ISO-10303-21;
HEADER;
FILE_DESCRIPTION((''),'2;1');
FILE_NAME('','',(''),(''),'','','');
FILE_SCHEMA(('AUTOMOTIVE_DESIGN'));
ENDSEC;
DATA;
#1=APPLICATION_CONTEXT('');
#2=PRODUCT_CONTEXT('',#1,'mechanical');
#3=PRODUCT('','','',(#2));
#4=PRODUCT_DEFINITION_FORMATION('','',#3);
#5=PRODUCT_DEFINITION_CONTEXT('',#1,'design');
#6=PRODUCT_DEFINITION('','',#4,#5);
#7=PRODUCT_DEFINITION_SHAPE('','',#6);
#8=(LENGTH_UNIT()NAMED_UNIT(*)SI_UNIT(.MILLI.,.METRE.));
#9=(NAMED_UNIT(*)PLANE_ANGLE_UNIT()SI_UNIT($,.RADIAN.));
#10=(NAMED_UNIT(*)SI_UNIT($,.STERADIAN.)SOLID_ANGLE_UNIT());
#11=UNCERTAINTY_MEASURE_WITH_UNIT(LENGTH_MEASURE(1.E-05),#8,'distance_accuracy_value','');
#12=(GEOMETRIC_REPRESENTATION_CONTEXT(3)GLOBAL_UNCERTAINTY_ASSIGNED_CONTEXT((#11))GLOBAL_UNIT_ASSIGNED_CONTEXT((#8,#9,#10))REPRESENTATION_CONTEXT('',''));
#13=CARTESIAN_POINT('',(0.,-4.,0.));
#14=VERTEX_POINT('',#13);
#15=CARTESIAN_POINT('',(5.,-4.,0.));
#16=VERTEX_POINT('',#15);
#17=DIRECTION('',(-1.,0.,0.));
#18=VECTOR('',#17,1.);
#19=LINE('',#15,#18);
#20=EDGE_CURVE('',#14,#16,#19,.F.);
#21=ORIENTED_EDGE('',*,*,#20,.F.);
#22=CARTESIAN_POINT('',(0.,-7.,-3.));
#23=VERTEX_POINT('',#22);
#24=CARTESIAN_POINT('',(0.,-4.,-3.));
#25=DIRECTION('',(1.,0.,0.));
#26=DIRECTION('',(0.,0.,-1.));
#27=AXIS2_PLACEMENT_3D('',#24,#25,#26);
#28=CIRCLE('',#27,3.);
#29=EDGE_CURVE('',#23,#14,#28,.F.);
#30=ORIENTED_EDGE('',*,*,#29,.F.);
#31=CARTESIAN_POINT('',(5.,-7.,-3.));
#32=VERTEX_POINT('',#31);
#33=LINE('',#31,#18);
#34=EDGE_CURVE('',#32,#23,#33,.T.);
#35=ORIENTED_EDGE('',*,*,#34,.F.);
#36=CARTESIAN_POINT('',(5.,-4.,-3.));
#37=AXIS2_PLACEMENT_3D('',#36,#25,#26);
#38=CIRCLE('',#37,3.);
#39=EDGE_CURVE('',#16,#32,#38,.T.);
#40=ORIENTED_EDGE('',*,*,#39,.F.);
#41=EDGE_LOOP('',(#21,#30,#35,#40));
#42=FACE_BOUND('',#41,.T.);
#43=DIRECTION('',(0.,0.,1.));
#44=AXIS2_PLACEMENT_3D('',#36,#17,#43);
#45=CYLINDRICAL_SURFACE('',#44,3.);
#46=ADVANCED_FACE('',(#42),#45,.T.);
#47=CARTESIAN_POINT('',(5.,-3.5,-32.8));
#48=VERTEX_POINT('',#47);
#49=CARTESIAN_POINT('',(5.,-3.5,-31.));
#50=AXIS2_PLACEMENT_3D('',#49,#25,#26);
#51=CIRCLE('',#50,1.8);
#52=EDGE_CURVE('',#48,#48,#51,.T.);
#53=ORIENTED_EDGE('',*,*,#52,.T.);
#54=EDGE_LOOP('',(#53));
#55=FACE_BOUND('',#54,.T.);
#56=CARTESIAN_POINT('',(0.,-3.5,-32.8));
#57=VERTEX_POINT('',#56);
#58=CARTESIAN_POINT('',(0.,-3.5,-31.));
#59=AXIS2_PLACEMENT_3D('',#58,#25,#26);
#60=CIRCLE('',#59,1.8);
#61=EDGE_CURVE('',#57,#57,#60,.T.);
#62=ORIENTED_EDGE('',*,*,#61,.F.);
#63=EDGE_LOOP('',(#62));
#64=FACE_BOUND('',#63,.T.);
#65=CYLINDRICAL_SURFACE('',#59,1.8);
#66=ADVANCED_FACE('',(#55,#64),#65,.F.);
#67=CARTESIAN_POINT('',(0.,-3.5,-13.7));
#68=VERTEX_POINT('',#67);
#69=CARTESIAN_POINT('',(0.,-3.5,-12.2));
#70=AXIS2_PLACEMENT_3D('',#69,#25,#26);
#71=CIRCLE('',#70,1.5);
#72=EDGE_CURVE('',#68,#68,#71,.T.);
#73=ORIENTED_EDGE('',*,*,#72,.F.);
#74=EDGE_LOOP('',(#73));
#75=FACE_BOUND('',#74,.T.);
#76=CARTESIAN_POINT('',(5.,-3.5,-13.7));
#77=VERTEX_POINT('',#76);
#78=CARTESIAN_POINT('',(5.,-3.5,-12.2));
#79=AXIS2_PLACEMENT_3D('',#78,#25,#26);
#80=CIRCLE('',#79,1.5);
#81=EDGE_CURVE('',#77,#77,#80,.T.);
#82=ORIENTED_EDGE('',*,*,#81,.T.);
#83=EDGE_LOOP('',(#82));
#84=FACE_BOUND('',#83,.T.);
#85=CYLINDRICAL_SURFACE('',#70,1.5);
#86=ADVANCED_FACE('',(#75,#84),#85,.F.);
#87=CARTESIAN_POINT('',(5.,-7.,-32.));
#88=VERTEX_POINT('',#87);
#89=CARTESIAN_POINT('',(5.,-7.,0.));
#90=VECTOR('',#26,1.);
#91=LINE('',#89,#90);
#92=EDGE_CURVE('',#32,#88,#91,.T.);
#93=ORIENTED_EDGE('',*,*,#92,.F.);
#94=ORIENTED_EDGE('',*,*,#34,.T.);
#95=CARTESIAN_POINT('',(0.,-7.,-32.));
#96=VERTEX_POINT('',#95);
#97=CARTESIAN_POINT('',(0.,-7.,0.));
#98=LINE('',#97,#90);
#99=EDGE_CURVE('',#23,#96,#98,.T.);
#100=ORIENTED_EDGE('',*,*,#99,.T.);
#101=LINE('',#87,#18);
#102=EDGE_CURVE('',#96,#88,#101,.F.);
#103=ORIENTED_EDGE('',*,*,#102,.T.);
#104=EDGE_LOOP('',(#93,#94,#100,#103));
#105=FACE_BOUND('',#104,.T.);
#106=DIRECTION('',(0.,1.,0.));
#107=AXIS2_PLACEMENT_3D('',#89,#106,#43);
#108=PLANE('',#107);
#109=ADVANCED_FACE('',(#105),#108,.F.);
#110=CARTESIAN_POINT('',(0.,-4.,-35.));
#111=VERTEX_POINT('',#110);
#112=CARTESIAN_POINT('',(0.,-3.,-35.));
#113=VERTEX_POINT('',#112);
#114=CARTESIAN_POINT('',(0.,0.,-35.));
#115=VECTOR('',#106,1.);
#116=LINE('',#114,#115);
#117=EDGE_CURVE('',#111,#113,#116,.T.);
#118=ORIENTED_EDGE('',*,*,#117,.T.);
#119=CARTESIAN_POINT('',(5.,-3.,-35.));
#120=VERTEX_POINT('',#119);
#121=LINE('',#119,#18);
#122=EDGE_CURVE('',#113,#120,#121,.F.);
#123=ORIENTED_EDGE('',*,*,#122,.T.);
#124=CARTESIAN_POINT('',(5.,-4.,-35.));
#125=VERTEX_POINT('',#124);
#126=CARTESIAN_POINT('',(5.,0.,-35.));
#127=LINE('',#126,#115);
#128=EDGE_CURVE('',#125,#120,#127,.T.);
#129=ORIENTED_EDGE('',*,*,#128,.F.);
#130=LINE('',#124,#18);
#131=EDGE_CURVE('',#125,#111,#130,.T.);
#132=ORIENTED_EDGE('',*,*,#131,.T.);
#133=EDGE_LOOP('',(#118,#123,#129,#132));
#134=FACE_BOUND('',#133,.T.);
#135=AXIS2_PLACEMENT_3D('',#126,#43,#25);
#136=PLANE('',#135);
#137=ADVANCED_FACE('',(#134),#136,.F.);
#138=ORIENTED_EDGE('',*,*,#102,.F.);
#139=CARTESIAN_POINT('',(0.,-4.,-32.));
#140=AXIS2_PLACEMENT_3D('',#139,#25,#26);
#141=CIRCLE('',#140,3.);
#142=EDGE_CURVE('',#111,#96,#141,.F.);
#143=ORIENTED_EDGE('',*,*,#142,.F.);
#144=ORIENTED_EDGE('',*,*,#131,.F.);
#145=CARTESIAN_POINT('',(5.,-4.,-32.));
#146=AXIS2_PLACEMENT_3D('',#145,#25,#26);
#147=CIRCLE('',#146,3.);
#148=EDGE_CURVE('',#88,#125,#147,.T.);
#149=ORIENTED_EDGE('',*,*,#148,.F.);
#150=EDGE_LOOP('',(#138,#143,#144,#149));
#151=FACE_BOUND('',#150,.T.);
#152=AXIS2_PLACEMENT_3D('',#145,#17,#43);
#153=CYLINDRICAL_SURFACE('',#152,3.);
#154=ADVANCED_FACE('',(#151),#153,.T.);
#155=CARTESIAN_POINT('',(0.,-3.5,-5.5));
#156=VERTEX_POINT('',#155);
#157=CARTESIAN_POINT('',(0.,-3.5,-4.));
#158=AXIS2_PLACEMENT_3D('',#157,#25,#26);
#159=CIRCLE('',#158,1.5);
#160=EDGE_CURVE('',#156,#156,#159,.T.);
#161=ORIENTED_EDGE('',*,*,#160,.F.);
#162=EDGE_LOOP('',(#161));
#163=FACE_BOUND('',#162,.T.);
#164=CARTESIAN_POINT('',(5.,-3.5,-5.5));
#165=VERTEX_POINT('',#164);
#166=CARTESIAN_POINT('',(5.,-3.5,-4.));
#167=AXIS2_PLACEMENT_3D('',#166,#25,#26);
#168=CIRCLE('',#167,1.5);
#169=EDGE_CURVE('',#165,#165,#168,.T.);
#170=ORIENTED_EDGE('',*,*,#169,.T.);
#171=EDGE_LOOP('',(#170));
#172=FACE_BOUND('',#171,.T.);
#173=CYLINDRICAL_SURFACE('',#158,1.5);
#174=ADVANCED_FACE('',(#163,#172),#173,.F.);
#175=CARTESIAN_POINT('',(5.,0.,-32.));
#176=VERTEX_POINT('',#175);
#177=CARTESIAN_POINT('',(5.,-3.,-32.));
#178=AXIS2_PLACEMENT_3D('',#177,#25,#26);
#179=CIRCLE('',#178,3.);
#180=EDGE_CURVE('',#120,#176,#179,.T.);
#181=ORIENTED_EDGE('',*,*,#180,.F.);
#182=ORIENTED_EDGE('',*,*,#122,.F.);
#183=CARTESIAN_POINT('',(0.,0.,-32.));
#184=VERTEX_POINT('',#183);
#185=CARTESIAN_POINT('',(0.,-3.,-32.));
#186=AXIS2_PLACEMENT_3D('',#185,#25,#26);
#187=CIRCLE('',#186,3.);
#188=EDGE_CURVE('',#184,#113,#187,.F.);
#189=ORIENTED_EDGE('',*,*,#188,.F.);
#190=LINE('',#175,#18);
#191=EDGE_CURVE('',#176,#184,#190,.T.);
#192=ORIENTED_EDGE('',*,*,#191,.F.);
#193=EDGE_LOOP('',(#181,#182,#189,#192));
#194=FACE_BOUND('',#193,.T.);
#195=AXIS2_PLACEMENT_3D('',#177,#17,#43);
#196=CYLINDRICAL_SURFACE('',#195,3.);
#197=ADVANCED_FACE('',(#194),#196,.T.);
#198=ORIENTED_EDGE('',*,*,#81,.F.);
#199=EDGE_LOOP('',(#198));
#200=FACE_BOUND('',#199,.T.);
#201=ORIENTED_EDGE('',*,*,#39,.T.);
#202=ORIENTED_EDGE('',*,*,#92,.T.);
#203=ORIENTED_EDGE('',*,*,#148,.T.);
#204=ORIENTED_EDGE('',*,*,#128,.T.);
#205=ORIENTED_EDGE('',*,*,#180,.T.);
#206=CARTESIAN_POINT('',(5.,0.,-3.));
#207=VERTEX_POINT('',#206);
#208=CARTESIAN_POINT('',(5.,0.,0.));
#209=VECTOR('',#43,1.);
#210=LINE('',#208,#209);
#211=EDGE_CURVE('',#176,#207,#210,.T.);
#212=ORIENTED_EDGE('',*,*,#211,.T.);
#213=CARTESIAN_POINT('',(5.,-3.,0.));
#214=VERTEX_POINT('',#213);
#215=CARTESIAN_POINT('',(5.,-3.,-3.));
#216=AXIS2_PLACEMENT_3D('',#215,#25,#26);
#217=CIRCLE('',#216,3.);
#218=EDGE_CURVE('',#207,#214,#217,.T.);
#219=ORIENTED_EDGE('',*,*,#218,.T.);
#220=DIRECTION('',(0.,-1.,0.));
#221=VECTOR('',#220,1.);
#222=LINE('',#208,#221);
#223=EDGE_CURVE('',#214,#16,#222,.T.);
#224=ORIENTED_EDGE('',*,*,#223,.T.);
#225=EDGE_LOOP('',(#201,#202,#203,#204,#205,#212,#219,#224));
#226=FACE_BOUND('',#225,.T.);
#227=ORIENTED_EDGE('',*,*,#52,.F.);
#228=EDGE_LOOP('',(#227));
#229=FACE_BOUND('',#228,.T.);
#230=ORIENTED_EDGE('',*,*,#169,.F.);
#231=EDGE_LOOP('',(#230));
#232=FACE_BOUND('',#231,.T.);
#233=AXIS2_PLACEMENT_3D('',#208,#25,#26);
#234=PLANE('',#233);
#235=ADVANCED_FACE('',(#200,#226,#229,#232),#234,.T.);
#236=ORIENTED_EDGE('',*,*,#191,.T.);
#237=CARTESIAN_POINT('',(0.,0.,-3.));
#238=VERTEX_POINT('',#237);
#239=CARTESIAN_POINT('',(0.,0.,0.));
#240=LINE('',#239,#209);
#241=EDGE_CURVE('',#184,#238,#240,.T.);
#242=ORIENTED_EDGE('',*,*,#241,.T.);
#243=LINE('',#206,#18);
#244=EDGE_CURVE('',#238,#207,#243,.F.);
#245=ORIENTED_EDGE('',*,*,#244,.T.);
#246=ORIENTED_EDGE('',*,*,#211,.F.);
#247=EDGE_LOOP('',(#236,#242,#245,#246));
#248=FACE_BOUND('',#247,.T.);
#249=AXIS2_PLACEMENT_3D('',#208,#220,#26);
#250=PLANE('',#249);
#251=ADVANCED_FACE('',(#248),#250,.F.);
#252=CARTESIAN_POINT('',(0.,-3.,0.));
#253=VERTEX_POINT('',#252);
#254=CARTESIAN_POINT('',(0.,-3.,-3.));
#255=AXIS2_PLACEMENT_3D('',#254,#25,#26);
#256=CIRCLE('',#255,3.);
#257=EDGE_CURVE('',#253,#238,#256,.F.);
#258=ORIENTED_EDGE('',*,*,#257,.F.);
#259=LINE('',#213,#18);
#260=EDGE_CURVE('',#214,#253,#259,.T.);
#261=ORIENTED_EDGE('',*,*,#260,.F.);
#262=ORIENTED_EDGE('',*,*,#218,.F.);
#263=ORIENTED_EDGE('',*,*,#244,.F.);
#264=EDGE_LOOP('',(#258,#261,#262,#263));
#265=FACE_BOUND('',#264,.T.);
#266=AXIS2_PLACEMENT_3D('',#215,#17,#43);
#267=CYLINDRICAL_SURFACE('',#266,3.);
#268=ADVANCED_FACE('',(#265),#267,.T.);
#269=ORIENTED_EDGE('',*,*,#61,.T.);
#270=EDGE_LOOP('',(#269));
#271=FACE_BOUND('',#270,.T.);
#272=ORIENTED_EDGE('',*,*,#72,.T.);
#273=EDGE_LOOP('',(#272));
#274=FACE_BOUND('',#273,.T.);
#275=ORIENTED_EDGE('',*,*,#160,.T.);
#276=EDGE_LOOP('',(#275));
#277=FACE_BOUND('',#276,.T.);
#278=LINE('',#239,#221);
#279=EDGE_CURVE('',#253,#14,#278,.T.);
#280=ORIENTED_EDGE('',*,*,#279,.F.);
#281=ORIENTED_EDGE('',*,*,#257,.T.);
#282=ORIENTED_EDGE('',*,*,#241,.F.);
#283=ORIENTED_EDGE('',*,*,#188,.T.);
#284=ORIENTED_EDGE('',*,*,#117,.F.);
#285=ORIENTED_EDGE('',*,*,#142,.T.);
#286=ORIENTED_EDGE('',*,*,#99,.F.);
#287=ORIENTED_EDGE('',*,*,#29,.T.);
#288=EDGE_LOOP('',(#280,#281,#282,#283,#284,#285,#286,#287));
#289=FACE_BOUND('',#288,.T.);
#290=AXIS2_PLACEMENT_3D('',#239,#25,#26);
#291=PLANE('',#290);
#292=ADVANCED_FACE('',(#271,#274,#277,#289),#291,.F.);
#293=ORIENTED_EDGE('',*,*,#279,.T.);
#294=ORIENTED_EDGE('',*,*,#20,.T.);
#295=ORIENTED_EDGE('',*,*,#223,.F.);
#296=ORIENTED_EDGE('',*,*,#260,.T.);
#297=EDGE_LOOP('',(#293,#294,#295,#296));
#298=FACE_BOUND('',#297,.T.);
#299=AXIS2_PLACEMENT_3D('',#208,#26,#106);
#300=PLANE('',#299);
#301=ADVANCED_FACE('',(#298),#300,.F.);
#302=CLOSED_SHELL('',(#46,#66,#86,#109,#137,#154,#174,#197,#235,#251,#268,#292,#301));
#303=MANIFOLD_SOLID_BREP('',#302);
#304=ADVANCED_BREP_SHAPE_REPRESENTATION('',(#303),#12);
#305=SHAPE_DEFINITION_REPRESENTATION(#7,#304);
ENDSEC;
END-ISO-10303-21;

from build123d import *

# Parameters (mm, degrees)
SKETCH1_W           = 35
SKETCH1_H           = 7
BOSS_EXTRUDE1_DEPTH = 5
SKETCH2_R           = 1.5
SKETCH2_R_2         = 1.8
CUT_EXTRUDE1_DEPTH  = 37.041642582
FILLET1_R           = 3


with BuildPart() as part:
    # Sketch1 → Boss-Extrude1 (new body)
    with BuildSketch(Plane(origin=(0, 0, 0), x_dir=(0, 0, -1), z_dir=(1, 0, 0))):
        with Locations((17.5, -3.5)):
            Rectangle(SKETCH1_W, SKETCH1_H)
    extrude(amount=BOSS_EXTRUDE1_DEPTH)

    # Sketch2 → Cut-Extrude1 (cut, through all)
    with BuildSketch(Plane(origin=(5, 0, 0), x_dir=(0, 0, -1), z_dir=(1, 0, 0))):
        with Locations((4, -3.5)):
            Circle(SKETCH2_R)
        with Locations((12.2, -3.5)):
            Circle(SKETCH2_R)
        with Locations((31, -3.5)):
            Circle(SKETCH2_R_2)
    extrude(amount=-CUT_EXTRUDE1_DEPTH, mode=Mode.SUBTRACT)

    # Fillet1
    fillet1_edges = [part.edges().sort_by_distance(p)[0] for p in [
        (2.5, 0, 0),
        (2.5, 0, -35),
        (2.5, -7, -35),
        (2.5, -7, 0),
    ]]
    fillet(fillet1_edges, radius=FILLET1_R)


solid = part.part
